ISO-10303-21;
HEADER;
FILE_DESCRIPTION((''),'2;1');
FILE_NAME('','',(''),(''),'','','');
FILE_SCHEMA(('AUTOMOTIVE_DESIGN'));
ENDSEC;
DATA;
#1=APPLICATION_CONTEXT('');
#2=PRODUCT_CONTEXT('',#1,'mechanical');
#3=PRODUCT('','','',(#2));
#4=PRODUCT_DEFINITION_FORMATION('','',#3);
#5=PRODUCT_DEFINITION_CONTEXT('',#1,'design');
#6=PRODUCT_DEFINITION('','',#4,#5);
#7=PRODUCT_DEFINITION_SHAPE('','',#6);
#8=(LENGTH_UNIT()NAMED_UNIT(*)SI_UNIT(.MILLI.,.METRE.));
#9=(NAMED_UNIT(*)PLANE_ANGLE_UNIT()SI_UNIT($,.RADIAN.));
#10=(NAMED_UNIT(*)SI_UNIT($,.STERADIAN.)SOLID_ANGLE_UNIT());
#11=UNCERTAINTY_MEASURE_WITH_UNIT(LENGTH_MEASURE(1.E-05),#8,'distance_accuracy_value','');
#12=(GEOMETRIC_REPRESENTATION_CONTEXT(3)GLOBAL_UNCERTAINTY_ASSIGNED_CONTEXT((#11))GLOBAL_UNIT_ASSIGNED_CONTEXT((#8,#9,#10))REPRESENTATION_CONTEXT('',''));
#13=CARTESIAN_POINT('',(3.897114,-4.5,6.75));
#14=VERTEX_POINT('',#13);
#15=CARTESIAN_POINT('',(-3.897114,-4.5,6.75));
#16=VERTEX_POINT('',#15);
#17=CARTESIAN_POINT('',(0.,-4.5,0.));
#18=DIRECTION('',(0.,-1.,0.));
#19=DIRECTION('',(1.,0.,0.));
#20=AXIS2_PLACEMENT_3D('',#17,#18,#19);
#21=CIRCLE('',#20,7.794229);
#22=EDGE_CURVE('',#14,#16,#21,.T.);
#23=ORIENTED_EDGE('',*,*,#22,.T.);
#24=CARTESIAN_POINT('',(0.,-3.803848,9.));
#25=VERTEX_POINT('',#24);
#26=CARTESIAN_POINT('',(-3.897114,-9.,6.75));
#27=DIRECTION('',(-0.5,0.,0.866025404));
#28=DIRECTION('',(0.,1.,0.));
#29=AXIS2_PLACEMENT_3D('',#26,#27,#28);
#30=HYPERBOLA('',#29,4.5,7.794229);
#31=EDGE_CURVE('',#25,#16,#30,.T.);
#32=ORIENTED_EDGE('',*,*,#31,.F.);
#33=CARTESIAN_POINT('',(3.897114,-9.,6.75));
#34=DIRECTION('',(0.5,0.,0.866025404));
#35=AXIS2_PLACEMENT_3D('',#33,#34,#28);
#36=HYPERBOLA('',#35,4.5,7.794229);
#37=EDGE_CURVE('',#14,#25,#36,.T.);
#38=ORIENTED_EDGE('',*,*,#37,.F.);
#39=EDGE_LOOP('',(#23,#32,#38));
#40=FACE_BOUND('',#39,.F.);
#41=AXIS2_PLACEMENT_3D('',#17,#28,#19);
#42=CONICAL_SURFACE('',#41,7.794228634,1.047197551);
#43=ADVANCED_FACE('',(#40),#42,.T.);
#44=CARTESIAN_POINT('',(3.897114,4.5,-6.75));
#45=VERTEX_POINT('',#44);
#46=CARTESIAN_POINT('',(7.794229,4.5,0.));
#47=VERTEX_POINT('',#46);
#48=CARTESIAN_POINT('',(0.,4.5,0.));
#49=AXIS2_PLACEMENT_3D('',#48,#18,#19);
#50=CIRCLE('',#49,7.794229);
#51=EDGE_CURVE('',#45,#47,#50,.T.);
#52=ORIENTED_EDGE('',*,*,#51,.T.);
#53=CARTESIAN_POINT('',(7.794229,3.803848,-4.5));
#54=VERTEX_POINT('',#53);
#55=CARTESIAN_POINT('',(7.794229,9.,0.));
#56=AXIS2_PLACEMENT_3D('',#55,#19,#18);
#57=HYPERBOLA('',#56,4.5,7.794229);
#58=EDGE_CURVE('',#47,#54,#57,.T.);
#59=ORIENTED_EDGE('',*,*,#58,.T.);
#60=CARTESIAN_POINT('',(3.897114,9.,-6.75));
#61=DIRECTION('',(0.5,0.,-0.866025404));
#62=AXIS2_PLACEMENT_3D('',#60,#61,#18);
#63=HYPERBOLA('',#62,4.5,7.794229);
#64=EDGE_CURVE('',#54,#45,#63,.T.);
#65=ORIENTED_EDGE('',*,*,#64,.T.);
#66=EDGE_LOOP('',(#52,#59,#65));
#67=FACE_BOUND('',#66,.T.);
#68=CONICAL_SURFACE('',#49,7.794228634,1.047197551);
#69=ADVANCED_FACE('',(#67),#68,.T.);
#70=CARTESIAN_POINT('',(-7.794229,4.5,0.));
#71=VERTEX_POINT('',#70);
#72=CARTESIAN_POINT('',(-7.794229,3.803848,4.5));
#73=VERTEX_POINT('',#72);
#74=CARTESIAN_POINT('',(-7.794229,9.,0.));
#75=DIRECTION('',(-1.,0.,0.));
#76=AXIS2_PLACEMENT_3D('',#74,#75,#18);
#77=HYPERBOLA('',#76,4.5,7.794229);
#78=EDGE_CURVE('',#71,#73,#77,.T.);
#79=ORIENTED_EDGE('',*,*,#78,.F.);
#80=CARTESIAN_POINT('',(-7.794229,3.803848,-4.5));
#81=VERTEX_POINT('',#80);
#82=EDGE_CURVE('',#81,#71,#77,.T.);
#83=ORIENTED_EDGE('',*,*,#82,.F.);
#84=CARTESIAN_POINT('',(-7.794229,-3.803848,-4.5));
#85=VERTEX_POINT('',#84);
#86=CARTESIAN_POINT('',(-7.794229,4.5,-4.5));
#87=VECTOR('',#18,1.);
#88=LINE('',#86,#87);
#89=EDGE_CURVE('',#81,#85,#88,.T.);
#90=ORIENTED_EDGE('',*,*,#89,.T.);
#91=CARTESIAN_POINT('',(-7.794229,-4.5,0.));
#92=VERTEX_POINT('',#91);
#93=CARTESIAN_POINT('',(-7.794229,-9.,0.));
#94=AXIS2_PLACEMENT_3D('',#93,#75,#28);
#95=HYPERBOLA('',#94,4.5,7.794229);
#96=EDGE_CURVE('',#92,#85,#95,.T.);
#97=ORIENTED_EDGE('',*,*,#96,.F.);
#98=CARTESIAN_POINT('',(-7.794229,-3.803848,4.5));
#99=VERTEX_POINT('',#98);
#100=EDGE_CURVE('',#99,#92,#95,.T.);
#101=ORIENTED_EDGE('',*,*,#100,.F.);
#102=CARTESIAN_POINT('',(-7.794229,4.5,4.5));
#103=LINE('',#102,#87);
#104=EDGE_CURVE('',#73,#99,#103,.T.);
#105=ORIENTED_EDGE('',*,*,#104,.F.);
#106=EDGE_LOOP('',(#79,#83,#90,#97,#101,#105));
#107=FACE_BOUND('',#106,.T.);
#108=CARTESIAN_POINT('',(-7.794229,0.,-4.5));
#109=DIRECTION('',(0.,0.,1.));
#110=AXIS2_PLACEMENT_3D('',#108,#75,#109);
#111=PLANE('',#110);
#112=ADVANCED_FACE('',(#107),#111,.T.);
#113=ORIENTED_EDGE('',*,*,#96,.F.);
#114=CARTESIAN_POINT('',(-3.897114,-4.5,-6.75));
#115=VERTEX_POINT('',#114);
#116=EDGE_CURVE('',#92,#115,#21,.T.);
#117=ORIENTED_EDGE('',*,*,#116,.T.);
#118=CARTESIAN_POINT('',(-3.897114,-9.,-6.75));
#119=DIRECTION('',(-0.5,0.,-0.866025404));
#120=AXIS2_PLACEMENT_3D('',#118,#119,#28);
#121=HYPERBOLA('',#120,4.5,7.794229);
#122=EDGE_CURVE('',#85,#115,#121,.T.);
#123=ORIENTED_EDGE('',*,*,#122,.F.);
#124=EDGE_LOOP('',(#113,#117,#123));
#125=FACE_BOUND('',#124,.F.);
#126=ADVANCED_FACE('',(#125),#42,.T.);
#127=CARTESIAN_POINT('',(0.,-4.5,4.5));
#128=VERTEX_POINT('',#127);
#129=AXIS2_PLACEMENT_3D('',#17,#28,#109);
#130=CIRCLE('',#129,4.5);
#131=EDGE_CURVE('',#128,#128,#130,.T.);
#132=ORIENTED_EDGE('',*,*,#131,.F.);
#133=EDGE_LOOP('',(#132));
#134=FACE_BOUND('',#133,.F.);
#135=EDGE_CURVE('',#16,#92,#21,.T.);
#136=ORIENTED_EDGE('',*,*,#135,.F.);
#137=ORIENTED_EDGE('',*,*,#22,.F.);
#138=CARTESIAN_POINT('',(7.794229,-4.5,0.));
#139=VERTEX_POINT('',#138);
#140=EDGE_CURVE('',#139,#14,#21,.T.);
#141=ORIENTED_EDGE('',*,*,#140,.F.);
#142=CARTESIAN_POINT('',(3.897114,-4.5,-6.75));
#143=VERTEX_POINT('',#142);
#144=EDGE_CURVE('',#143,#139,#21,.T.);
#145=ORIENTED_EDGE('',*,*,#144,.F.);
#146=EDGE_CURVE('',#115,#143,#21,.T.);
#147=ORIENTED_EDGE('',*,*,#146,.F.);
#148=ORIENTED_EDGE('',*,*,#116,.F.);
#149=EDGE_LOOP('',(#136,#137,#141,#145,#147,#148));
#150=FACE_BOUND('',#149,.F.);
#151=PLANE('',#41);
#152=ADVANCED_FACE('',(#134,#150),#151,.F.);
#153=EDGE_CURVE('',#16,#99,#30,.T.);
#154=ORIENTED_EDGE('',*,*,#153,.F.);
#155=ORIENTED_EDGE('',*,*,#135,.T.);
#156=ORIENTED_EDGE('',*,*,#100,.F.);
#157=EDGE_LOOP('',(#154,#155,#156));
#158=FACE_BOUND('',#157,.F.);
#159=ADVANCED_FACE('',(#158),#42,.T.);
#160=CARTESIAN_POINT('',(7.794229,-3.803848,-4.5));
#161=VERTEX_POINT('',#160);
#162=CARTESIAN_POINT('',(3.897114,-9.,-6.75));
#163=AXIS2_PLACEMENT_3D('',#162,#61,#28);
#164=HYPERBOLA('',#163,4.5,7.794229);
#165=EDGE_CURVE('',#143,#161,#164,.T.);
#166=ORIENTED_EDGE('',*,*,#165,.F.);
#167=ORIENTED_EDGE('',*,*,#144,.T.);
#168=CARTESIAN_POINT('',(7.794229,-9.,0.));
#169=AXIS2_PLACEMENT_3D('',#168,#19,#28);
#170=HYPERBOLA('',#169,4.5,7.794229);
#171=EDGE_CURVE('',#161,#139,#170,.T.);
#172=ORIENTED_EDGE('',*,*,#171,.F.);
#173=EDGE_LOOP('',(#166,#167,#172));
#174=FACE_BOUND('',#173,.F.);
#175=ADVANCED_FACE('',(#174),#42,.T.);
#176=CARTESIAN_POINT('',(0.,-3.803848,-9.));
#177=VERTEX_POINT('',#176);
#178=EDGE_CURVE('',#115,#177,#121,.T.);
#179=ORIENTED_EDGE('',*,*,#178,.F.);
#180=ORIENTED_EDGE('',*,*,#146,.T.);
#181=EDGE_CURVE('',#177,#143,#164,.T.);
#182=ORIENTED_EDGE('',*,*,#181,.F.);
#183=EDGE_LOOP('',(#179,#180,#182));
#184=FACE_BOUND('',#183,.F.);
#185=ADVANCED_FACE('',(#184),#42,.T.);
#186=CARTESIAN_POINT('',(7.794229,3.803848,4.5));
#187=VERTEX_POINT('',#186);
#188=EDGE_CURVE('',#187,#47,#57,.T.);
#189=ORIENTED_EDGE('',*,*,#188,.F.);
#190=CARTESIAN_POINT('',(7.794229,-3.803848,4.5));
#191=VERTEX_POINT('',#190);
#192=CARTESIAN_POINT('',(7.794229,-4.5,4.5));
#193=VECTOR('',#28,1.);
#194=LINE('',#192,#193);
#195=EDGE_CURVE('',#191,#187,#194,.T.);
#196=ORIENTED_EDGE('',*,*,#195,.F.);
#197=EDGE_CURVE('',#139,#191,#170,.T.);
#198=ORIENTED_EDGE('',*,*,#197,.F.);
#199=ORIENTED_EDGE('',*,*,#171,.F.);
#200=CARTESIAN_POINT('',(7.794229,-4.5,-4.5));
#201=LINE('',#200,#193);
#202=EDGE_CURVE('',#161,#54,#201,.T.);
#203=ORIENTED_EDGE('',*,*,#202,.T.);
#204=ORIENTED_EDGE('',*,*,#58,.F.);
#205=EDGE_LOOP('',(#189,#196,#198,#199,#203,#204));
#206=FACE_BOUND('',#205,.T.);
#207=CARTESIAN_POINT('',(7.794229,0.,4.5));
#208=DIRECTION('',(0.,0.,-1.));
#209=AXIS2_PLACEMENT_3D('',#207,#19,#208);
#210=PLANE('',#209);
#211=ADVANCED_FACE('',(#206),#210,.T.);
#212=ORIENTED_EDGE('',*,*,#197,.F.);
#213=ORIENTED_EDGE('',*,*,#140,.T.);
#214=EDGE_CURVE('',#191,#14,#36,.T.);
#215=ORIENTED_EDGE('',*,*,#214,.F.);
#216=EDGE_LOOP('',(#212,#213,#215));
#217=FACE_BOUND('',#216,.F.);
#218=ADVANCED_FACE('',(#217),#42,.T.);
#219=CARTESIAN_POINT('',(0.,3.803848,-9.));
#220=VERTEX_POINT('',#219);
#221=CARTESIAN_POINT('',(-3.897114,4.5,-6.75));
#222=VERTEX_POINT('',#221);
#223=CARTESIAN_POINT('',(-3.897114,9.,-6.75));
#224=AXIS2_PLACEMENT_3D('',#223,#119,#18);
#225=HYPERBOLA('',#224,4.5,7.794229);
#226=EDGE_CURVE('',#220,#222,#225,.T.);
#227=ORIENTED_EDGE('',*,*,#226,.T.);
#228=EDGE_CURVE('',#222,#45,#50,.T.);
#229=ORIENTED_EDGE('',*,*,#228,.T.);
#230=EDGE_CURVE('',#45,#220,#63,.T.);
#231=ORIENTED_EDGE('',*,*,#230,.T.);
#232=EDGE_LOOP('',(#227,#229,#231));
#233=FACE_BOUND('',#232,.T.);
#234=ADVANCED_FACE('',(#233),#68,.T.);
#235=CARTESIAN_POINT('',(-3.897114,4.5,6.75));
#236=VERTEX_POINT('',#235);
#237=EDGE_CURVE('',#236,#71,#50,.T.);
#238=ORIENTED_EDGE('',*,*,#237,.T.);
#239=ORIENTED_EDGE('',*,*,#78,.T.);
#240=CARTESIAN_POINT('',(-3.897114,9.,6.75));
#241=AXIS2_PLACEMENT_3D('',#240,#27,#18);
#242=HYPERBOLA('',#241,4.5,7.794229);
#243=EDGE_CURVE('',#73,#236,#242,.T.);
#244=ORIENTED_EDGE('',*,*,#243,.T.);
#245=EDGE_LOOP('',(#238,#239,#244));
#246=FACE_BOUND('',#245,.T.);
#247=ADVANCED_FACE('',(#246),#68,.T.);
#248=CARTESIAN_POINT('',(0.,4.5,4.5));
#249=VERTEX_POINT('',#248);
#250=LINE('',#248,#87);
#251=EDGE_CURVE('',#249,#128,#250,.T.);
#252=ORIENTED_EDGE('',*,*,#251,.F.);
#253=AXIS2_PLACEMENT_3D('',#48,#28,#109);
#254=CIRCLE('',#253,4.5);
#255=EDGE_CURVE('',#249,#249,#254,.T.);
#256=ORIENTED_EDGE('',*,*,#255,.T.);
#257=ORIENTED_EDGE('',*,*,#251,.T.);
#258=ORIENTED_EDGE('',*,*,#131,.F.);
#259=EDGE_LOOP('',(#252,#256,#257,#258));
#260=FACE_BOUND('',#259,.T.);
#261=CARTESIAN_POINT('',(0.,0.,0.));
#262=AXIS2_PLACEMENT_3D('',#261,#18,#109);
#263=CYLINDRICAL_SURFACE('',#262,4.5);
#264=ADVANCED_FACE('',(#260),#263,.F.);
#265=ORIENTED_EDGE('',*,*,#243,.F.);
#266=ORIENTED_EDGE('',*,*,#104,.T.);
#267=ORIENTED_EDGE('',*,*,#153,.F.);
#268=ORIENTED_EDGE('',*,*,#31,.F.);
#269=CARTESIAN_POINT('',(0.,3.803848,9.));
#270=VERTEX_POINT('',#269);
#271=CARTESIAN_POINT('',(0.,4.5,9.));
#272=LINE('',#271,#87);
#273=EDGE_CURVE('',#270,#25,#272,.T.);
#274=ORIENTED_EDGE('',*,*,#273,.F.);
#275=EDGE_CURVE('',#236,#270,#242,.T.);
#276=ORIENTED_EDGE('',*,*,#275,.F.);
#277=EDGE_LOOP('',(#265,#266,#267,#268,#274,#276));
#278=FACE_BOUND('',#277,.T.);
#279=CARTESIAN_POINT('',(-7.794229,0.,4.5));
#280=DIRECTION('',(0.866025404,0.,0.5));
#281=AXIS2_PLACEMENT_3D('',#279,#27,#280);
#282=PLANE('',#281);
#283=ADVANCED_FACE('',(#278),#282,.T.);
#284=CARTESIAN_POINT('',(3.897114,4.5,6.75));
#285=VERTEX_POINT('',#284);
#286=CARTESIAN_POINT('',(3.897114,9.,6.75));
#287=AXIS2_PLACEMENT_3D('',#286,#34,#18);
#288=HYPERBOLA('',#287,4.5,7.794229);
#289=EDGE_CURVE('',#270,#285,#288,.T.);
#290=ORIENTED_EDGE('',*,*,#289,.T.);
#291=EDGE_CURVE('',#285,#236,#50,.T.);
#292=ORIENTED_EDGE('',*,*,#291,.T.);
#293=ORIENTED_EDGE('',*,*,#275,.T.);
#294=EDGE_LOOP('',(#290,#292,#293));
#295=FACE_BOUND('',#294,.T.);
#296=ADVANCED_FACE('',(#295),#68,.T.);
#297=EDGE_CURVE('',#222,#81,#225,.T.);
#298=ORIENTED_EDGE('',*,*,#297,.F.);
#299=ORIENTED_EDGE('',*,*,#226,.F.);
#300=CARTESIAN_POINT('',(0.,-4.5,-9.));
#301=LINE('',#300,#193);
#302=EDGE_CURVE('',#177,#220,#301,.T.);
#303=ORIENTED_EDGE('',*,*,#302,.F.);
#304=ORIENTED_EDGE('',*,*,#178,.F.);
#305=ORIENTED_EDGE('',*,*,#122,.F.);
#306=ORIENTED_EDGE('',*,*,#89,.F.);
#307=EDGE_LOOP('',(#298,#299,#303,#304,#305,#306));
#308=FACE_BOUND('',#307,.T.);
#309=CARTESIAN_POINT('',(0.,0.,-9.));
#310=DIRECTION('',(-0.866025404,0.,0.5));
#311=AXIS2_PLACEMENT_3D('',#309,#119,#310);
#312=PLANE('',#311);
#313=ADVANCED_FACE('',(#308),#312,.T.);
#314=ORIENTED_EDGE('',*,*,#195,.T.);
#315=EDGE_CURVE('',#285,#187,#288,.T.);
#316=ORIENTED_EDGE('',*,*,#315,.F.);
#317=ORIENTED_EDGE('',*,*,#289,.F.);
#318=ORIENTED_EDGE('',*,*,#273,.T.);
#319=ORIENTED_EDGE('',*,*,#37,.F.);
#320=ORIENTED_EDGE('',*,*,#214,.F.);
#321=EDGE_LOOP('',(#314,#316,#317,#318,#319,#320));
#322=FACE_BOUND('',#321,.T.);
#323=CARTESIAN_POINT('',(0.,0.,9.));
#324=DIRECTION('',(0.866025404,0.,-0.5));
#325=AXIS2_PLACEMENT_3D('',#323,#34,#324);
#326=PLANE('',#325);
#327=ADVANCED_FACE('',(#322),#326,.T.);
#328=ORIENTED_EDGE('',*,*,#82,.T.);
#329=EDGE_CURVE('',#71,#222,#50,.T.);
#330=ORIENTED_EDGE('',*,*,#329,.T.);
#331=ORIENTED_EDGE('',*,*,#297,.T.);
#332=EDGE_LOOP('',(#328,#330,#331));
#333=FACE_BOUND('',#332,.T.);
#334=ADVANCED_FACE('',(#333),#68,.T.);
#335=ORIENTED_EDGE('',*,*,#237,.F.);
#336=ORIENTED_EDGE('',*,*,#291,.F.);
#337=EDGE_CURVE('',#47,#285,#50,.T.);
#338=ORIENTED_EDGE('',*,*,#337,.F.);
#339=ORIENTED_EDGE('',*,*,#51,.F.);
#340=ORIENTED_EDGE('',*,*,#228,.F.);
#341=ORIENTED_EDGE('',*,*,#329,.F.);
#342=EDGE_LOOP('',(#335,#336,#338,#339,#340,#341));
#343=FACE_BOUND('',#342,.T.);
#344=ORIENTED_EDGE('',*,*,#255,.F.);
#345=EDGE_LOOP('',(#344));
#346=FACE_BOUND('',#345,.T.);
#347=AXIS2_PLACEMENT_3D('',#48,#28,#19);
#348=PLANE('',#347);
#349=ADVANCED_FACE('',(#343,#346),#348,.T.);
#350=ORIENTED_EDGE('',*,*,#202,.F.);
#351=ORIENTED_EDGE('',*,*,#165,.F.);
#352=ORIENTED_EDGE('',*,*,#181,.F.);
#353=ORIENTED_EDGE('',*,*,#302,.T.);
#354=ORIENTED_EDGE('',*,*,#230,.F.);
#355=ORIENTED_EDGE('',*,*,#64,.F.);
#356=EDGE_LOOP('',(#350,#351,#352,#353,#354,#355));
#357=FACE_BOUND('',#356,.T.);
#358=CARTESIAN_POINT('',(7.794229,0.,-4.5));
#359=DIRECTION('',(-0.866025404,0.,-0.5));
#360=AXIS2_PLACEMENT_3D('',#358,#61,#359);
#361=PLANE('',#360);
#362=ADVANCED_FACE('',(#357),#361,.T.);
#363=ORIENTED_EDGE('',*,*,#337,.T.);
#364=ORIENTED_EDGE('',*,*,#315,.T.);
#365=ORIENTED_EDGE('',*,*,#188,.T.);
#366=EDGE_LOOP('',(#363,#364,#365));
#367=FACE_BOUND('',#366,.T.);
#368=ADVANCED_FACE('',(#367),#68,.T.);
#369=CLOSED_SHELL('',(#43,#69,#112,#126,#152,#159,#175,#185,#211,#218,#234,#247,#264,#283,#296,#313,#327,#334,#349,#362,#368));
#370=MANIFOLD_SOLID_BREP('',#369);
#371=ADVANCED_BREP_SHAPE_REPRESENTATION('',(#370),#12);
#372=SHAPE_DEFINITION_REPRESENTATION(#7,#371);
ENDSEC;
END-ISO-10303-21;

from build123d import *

# Parameters (mm, degrees)
SKETCH1_R           = 4.5
BOSS_EXTRUDE1_DEPTH = 4.5
SKETCH2_OUTSIDE_W   = 57.32
SKETCH2_OUTSIDE_H   = 59.732
SKETCH2_OUTSIDE_R   = 7.794228634
CUT_EXTRUDE1_DEPTH  = 10
CUT_EXTRUDE1_TAPER  = 60


with BuildPart() as part:
    # Sketch1 → Boss-Extrude1 (new body, symmetric)
    with BuildSketch(Plane(origin=(0, 0, 0), x_dir=(1, 0, 0), z_dir=(0, 1, 0))):
        Polygon((0, -9), (7.794228634, -4.5), (7.794228634, 4.5), (0, 9), (-7.794228634, 4.5), (-7.794228634, -4.5), align=None)
        with Locations(Location((0, 0, 0), (0, 0, 270))):  # turned: the seam where the file's is
            Circle(SKETCH1_R, mode=Mode.SUBTRACT)
    extrude(amount=BOSS_EXTRUDE1_DEPTH, both=True)

    # Sketch2 outside → Cut-Extrude1 (cut)
    with BuildSketch(Plane(origin=(0, 4.5, 0), x_dir=(1, 0, 0), z_dir=(0, 1, 0))):
        Rectangle(SKETCH2_OUTSIDE_W, SKETCH2_OUTSIDE_H)
        Circle(SKETCH2_OUTSIDE_R, mode=Mode.SUBTRACT)
    cut_extrude1 = extrude(amount=-CUT_EXTRUDE1_DEPTH, taper=CUT_EXTRUDE1_TAPER, mode=Mode.SUBTRACT)

    # Mirror1: Cut-Extrude1 across plane
    add(cut_extrude1.mirror(Plane.ZX), mode=Mode.SUBTRACT)


solid = part.part
